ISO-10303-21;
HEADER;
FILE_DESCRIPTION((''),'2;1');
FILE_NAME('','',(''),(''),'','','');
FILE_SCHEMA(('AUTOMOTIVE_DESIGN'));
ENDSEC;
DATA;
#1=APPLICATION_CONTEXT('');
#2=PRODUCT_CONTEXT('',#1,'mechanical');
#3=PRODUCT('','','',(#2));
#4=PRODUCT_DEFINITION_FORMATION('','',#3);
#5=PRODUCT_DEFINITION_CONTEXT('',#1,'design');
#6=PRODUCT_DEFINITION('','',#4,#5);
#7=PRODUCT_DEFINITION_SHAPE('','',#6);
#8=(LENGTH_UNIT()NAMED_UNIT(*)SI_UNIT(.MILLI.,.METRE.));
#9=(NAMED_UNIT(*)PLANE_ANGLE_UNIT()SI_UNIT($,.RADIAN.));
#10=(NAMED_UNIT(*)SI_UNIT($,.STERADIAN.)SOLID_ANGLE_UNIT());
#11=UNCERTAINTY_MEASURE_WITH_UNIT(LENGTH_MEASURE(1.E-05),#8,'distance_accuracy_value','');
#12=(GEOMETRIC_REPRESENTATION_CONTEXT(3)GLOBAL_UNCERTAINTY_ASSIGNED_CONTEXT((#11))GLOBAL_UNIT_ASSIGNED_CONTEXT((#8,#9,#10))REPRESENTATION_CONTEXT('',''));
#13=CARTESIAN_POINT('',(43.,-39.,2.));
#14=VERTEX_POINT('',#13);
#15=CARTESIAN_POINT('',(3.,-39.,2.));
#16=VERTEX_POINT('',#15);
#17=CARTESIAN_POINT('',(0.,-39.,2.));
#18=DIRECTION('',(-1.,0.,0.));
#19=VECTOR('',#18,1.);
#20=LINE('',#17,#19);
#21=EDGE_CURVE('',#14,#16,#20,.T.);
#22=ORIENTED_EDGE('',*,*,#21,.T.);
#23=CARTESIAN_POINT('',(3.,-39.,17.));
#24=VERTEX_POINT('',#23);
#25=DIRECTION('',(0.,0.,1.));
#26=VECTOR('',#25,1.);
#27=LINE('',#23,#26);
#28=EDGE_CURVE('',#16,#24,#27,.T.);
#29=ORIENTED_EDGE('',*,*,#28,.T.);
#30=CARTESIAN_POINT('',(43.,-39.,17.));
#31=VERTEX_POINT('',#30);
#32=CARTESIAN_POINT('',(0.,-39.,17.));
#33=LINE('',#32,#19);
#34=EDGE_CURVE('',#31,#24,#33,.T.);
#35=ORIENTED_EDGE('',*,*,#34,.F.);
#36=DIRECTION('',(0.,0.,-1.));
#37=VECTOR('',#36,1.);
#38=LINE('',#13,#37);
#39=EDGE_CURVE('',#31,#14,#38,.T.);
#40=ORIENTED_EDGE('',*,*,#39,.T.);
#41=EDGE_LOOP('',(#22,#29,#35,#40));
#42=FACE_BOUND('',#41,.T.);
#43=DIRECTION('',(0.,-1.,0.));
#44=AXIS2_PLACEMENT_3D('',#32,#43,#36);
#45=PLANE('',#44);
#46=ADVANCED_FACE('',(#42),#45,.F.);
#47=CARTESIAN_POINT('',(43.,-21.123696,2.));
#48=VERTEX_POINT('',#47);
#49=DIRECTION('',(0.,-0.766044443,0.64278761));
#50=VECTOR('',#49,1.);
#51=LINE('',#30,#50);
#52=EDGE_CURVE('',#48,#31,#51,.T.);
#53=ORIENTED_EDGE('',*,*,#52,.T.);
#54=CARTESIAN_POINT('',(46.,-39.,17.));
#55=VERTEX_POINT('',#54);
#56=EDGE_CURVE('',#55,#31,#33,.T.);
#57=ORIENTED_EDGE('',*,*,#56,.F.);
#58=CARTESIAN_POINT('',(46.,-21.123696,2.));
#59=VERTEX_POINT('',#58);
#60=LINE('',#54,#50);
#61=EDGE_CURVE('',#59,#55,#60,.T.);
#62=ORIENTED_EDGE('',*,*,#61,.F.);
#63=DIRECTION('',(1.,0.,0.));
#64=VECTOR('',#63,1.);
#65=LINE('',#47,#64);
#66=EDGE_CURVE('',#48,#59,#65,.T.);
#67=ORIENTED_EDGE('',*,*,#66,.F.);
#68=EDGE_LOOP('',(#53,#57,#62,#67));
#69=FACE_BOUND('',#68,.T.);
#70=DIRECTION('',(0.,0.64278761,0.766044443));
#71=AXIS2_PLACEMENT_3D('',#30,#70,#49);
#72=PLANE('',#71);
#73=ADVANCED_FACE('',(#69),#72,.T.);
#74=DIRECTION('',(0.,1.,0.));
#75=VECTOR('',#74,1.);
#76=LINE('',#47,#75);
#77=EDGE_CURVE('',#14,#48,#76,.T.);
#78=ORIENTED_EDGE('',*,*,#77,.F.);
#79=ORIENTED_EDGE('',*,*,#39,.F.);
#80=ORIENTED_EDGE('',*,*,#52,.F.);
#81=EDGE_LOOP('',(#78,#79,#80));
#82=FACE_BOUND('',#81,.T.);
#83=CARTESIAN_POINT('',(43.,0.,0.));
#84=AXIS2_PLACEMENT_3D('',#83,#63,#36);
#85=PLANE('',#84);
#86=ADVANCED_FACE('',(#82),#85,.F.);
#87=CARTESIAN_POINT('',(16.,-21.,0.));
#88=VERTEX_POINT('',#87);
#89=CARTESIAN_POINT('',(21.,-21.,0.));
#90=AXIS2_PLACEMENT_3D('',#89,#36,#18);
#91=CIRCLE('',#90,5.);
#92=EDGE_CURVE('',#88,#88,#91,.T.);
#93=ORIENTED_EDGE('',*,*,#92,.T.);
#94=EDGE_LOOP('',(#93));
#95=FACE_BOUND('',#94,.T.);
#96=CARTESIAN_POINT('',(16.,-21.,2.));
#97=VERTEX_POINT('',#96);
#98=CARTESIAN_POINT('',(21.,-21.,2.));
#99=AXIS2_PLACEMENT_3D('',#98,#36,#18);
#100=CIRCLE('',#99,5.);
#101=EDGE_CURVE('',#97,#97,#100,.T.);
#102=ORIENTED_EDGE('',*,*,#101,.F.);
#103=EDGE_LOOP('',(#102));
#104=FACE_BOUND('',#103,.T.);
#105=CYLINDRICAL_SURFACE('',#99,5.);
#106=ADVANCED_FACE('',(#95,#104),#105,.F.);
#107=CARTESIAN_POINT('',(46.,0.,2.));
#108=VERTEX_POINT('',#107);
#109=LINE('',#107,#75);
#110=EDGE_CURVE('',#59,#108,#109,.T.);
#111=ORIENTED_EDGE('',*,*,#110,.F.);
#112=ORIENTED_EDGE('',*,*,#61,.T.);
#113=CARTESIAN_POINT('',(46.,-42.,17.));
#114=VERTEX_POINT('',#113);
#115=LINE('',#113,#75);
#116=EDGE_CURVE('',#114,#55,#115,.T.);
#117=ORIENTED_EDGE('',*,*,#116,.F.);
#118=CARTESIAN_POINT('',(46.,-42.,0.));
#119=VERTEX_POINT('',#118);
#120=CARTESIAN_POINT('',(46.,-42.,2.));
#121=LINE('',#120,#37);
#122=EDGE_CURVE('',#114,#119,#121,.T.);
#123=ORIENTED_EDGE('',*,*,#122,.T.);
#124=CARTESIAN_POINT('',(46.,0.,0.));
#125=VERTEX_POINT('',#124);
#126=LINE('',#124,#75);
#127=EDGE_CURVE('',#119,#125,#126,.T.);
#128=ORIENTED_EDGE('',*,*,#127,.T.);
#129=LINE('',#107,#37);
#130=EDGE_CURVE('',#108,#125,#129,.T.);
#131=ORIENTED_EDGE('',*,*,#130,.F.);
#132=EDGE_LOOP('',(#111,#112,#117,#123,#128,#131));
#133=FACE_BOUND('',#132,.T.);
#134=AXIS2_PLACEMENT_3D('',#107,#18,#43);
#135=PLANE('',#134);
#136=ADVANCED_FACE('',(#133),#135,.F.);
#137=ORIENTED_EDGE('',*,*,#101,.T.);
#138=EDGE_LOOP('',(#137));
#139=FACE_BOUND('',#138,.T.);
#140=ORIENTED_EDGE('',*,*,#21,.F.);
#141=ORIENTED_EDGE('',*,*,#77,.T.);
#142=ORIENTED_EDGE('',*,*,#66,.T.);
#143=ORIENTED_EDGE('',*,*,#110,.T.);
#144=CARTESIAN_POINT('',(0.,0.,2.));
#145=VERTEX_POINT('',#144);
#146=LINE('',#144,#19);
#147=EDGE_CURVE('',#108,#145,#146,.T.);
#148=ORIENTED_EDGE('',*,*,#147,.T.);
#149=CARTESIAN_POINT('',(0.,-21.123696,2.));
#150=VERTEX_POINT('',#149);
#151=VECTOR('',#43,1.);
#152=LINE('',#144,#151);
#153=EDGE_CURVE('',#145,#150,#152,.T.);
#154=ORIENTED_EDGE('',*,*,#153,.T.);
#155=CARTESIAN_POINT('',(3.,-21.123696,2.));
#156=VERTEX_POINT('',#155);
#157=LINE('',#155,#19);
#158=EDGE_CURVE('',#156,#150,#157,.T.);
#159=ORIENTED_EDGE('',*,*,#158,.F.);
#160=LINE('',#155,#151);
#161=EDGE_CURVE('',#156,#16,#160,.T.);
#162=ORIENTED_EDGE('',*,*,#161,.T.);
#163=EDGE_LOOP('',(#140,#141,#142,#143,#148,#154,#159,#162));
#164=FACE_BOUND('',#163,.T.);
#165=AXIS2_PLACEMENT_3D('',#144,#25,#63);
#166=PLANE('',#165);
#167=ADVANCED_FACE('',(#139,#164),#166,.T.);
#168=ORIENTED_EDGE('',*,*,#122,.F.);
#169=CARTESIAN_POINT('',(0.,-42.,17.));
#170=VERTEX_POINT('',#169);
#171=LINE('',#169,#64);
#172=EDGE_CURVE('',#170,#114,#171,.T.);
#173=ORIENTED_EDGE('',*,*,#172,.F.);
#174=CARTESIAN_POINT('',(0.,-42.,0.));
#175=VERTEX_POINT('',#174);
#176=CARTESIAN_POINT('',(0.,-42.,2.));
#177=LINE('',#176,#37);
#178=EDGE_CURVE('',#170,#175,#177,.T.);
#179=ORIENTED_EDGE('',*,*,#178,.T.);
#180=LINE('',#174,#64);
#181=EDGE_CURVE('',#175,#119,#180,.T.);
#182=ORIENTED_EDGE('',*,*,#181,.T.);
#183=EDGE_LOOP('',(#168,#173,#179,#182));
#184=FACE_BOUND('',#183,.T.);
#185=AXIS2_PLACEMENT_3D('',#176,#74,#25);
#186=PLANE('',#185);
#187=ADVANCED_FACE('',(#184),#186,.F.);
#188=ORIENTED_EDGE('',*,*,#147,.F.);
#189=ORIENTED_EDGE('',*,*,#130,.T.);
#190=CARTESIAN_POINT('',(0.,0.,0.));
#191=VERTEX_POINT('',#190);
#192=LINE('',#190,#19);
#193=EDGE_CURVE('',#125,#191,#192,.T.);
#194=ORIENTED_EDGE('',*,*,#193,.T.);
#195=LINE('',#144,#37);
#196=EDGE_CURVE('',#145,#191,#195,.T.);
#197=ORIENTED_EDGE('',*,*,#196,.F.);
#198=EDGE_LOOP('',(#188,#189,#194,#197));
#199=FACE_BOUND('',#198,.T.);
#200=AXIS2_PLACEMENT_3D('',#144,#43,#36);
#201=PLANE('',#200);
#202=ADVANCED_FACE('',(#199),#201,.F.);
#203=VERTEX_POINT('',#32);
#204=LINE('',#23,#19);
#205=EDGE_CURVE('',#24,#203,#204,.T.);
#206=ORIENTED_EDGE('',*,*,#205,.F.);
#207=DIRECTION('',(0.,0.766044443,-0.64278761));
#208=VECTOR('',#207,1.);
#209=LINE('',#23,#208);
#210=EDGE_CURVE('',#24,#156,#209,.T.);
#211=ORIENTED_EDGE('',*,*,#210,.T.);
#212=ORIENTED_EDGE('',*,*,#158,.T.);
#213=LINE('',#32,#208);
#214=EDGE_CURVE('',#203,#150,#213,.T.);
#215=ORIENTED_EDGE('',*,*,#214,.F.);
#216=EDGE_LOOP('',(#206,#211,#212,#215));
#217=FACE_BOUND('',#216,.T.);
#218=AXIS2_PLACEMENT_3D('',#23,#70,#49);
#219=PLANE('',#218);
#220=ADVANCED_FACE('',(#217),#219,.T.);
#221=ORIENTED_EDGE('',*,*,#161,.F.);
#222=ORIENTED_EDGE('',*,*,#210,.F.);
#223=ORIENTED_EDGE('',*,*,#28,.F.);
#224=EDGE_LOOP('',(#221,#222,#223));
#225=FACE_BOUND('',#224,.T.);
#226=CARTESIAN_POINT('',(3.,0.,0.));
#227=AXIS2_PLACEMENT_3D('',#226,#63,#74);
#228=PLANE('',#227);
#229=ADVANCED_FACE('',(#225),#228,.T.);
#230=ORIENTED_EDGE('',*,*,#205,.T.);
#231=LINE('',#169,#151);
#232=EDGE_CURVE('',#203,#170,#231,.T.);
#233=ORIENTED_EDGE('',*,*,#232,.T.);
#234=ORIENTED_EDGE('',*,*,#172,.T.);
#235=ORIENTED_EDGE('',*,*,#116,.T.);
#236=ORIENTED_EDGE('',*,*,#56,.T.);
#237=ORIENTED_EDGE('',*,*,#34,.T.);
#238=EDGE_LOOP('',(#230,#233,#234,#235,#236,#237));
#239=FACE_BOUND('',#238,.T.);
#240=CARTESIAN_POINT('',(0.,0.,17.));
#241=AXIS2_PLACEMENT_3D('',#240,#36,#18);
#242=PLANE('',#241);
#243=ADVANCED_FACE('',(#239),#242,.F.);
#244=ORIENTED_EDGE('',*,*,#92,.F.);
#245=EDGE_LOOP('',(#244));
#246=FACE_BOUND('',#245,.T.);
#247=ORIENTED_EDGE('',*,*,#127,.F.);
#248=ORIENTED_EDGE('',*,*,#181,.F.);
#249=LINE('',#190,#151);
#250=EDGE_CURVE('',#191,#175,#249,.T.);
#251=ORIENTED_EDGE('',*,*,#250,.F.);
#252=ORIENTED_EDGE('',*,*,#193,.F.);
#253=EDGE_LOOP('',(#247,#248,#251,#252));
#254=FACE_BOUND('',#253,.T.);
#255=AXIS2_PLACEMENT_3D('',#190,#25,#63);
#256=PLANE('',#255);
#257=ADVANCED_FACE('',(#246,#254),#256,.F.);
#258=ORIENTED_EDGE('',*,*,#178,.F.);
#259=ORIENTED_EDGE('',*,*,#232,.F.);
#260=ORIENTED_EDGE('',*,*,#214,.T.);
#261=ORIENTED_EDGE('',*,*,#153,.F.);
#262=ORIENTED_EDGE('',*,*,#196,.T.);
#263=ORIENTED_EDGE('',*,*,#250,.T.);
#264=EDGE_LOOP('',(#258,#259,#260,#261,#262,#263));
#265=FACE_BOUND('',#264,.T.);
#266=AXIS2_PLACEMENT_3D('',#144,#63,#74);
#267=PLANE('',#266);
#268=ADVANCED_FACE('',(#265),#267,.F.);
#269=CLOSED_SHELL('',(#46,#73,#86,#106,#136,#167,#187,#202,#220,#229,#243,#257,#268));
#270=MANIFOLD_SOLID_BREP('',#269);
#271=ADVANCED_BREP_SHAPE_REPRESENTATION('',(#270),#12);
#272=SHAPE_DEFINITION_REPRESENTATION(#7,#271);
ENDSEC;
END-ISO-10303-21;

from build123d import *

# Parameters (mm, degrees)
SKETCH1_W           = 46
SKETCH1_H           = 42
BOSS_EXTRUDE1_DEPTH = 2
SKETCH2_W           = 46
SKETCH2_H           = 3
BOSS_EXTRUDE2_DEPTH = 15
SKETCH4_R           = 5
CUT_EXTRUDE2_DEPTH  = 2
BOSS_EXTRUDE3_DEPTH = 3
BOSS_EXTRUDE4_DEPTH = 3


with BuildPart() as part:
    # Sketch1 → Boss-Extrude1 (new body)
    with BuildSketch(Plane.XY):
        with Locations((23, -21)):
            Rectangle(SKETCH1_W, SKETCH1_H)
    extrude(amount=BOSS_EXTRUDE1_DEPTH)

    # Sketch2 → Boss-Extrude2 (add)
    with BuildSketch(Plane.XY.offset(2)):
        with Locations((23, -40.5)):
            Rectangle(SKETCH2_W, SKETCH2_H)
    extrude(amount=BOSS_EXTRUDE2_DEPTH)

    # Sketch4 → Cut-Extrude2 (cut)
    with BuildSketch(Plane(origin=(0, 0, 0), x_dir=(-1, 0, 0), z_dir=(0, 0, -1))):
        with Locations((-21, -21)):
            Circle(SKETCH4_R)
    extrude(amount=-CUT_EXTRUDE2_DEPTH, mode=Mode.SUBTRACT)

    # Sketch5 → Boss-Extrude3 (add)
    with BuildSketch(Plane.ZY):
        Polygon((17, -39), (2, -21.123696111), (2, -39), align=None)
    extrude(amount=-BOSS_EXTRUDE3_DEPTH)

    # Sketch6 → Boss-Extrude4 (add)
    with BuildSketch(Plane(origin=(46, 0, 0), x_dir=(0, 0, -1), z_dir=(1, 0, 0))):
        Polygon((-17, -39), (-2, -21.123696111), (-2, -39), align=None)
    extrude(amount=-BOSS_EXTRUDE4_DEPTH)


solid = part.part
